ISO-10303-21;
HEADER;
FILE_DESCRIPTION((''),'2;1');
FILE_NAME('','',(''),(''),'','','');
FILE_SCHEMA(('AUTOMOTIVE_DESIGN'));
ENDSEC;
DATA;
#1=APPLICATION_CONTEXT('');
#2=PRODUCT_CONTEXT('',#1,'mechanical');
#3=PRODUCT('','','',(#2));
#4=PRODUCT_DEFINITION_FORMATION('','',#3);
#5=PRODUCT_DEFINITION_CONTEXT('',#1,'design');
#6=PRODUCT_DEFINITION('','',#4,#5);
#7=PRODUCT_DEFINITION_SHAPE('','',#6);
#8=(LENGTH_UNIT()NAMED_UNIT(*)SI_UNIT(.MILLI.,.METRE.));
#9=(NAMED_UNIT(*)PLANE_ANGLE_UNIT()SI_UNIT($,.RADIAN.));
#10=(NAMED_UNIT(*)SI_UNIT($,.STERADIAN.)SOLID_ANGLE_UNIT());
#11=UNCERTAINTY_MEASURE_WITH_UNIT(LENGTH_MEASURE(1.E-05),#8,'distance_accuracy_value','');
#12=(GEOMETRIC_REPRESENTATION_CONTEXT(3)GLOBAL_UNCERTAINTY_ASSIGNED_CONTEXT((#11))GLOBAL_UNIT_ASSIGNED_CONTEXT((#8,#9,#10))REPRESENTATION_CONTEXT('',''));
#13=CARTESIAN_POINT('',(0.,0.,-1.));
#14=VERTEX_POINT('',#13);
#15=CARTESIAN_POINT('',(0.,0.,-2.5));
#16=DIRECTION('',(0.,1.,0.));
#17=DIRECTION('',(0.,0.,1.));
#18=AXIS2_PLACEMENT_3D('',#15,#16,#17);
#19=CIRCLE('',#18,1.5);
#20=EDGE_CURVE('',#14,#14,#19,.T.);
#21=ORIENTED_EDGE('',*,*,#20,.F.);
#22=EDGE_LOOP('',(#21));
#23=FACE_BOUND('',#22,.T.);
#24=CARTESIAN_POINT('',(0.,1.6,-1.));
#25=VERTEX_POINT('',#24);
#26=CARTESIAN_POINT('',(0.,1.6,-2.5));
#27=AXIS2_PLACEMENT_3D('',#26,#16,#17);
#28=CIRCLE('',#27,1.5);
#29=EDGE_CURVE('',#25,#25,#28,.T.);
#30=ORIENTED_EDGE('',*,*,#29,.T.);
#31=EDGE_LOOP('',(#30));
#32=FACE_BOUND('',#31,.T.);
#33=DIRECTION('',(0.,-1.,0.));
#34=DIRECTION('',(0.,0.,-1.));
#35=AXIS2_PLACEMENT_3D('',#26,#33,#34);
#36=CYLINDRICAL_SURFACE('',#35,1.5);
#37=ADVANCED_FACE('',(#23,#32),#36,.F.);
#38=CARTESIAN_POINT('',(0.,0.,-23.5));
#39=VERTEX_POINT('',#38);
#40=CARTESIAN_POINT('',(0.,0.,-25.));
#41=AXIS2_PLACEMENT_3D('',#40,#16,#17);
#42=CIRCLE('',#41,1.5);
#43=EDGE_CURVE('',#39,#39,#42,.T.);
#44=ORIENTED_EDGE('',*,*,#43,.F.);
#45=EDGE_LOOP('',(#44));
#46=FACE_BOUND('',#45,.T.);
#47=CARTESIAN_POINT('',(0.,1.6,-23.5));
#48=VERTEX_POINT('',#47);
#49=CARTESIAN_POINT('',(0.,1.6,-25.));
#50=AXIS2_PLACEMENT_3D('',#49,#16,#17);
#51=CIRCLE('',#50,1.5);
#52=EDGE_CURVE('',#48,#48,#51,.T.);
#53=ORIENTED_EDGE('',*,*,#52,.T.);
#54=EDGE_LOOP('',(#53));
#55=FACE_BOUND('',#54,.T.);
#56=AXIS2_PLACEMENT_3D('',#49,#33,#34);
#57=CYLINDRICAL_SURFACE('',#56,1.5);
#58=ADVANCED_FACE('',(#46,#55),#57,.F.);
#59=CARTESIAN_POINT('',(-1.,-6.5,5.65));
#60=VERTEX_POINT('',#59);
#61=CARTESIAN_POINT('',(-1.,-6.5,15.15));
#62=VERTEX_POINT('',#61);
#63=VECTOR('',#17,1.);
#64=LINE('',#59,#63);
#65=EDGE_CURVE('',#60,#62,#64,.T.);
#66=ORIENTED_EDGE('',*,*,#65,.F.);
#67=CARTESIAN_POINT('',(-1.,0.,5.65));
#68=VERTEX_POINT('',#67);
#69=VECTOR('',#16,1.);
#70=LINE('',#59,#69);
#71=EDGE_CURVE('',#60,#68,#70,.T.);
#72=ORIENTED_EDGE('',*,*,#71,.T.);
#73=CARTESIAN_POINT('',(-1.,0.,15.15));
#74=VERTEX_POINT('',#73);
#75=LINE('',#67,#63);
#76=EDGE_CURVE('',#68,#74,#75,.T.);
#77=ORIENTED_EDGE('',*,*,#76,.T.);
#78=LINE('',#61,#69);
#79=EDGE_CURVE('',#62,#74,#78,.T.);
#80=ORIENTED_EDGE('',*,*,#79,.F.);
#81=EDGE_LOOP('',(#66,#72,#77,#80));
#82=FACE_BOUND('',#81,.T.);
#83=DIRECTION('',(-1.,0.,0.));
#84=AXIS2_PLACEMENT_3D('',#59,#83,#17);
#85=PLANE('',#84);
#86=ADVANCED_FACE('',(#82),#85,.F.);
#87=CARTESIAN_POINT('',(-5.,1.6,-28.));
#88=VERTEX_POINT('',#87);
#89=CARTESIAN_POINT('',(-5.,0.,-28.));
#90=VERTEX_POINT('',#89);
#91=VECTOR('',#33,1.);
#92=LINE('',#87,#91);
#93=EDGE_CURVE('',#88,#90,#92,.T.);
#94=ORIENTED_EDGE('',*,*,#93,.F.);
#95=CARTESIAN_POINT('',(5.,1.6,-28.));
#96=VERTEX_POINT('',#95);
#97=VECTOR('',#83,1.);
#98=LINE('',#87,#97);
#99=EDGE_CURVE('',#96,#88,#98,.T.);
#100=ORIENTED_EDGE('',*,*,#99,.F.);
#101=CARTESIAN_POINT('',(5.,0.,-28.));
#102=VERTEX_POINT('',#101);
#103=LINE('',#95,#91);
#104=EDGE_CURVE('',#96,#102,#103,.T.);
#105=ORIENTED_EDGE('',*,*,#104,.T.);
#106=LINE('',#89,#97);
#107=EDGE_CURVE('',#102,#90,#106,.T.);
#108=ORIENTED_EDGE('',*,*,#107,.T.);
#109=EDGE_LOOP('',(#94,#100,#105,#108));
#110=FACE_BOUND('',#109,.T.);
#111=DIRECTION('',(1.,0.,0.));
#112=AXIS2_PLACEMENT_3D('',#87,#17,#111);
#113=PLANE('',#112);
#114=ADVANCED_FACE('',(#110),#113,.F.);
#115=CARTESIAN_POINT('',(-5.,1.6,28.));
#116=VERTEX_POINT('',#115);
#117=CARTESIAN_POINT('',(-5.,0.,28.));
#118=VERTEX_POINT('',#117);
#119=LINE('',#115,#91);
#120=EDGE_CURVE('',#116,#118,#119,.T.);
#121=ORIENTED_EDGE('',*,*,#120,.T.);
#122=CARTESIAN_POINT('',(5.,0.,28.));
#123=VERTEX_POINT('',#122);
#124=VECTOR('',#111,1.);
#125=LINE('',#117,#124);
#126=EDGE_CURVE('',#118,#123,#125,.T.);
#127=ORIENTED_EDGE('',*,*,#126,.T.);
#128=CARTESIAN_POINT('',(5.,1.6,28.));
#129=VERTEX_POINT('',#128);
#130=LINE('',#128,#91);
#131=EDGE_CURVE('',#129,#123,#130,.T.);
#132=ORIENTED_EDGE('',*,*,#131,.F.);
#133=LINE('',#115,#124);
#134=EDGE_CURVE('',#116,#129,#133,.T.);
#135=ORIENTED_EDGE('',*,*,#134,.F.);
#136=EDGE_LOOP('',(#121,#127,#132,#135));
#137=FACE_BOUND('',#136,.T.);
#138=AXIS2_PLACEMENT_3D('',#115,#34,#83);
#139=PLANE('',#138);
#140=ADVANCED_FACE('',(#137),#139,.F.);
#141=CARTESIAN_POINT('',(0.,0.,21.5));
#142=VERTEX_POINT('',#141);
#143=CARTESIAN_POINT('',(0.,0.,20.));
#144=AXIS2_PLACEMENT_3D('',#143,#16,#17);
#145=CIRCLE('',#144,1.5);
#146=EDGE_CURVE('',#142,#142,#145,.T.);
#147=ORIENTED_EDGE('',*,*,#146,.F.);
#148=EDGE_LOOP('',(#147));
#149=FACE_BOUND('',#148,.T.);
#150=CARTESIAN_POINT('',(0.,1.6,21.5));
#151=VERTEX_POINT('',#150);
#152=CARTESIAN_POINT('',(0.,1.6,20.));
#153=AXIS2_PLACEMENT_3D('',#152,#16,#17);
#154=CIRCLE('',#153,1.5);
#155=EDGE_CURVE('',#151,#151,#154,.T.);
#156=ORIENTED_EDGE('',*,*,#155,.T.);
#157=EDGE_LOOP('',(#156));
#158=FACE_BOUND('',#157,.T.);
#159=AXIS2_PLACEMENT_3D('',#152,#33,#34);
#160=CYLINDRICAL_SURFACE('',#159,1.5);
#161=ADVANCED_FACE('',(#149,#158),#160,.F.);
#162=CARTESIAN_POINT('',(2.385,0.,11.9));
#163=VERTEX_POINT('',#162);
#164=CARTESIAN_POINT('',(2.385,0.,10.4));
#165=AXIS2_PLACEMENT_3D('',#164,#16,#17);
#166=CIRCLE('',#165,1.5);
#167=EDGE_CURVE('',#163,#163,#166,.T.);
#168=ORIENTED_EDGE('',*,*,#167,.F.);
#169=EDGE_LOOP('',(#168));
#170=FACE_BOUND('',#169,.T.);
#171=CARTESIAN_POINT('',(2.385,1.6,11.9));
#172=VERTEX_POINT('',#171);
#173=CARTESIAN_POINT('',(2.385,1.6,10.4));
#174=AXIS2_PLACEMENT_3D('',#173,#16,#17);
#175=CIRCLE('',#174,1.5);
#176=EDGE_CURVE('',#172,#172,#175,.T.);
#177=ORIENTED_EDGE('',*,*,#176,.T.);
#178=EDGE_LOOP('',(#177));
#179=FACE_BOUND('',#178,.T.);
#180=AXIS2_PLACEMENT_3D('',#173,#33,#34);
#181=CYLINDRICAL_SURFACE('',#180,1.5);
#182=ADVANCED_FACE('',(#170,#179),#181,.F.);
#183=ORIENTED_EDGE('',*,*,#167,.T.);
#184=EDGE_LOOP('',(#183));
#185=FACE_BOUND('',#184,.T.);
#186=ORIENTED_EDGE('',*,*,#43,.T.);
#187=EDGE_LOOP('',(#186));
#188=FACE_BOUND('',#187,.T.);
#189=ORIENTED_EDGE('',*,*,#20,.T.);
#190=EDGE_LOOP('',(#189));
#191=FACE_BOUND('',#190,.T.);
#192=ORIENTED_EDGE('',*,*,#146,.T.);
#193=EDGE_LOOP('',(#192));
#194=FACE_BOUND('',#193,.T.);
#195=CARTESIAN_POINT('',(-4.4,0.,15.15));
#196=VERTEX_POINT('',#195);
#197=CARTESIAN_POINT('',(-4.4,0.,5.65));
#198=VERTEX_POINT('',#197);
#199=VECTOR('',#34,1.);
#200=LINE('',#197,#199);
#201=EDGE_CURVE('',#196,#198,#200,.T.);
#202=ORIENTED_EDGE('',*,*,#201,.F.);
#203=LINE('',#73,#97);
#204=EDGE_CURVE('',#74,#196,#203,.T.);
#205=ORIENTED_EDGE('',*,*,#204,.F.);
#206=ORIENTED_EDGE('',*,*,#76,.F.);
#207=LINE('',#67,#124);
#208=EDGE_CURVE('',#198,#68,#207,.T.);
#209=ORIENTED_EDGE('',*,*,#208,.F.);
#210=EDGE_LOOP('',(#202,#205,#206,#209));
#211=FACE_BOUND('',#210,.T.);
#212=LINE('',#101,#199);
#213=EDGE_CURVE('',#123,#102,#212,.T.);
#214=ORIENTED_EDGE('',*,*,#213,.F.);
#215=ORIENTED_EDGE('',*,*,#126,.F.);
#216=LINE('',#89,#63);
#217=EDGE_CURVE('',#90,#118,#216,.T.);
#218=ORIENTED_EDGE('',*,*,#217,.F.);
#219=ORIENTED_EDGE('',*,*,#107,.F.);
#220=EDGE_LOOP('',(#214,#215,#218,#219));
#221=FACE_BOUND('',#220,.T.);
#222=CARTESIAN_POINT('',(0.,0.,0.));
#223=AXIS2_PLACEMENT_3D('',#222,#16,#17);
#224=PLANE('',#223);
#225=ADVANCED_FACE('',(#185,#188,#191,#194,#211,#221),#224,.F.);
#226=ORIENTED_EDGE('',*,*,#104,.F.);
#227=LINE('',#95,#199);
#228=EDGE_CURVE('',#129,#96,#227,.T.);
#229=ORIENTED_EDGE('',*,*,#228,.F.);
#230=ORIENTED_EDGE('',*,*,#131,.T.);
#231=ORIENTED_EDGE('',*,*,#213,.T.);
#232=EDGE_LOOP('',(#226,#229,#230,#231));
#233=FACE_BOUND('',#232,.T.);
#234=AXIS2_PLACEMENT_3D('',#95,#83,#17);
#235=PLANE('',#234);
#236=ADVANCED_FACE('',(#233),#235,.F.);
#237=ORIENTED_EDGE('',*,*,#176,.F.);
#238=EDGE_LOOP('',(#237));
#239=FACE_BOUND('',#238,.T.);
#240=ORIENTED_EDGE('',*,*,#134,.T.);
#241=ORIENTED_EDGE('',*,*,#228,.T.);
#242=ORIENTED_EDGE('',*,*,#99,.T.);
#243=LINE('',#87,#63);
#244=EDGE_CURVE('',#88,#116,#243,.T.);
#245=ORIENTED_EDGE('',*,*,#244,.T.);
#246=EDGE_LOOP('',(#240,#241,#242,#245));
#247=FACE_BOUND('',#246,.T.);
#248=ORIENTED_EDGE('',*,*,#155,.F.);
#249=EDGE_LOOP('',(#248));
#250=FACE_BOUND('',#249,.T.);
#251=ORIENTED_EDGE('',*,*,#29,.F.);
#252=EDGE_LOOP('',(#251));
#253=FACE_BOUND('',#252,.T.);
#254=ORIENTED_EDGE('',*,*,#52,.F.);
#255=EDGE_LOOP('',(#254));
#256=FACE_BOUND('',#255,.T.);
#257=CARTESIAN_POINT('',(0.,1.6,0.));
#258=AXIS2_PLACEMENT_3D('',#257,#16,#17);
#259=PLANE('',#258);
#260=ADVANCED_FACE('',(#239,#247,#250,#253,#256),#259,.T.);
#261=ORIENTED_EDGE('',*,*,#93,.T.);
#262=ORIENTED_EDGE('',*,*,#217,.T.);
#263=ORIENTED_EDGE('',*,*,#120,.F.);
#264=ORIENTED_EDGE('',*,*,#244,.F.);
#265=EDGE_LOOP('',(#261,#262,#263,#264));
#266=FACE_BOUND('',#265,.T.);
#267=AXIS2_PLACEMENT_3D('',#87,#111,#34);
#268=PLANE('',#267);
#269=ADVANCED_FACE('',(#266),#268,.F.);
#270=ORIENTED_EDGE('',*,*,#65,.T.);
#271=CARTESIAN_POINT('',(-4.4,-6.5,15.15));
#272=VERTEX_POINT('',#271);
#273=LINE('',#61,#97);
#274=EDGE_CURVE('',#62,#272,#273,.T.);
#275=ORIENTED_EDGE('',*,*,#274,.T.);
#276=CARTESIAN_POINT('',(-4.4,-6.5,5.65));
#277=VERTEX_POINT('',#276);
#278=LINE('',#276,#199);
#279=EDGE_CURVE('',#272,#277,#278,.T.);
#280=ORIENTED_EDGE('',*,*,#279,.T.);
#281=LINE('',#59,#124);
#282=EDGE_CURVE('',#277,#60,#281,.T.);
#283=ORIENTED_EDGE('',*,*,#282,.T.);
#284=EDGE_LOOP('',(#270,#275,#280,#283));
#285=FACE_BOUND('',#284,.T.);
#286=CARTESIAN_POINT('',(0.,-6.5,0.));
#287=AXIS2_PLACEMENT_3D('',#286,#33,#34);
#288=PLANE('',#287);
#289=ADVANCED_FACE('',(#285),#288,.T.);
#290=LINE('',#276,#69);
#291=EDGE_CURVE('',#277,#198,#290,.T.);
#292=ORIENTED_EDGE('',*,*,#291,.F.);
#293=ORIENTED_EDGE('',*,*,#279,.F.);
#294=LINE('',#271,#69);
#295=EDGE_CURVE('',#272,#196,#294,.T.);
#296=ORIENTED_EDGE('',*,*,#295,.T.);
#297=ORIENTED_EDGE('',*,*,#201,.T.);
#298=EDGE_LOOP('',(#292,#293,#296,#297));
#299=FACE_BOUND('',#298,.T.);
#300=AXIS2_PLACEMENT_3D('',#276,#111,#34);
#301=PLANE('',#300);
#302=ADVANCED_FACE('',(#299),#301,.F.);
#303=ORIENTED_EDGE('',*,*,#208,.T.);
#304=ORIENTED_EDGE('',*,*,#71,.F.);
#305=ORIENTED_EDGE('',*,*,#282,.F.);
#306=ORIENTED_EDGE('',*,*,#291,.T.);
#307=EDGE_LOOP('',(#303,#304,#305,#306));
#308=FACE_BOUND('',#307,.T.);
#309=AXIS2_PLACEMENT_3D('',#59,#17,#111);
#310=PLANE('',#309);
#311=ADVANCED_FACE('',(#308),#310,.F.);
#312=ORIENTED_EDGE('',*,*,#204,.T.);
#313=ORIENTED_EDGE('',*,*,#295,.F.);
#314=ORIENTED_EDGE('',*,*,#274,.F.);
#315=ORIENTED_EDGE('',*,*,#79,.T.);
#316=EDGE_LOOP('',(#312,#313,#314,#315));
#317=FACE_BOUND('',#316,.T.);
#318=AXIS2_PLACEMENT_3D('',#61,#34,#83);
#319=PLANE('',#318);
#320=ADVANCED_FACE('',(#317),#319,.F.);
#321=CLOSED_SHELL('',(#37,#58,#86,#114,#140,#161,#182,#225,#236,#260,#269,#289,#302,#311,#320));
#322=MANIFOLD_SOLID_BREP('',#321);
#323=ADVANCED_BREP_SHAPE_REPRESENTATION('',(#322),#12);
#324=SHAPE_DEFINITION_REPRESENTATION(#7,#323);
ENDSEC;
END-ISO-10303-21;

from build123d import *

# Parameters (mm, degrees)
SKETCH_1_W      = 10
SKETCH_1_H      = 56
SKETCH_1_R      = 1.5
EXTRUDE_1_DEPTH = 1.6
SKETCH_2_W      = 3.4
SKETCH_2_H      = 9.5
EXTRUDE_2_DEPTH = 6.5


with BuildPart() as part:
    # 草图1 → 凸台-拉伸1 (new body)
    with BuildSketch(Plane(origin=(0, 0, 0), x_dir=(1, 0, 0), z_dir=(0, 1, 0))):
        Rectangle(SKETCH_1_W, SKETCH_1_H)
        with Locations(Location((2.385, -10.4, 0), (0, 0, 270))):
            Circle(SKETCH_1_R, mode=Mode.SUBTRACT)
        with Locations(Location((0, 25, 0), (0, 0, 270))):
            Circle(SKETCH_1_R, mode=Mode.SUBTRACT)
        with Locations(Location((0, 2.5, 0), (0, 0, 270))):
            Circle(SKETCH_1_R, mode=Mode.SUBTRACT)
        with Locations(Location((0, -20, 0), (0, 0, 270))):
            Circle(SKETCH_1_R, mode=Mode.SUBTRACT)
    extrude(amount=EXTRUDE_1_DEPTH)

    # 草图2 → 凸台-拉伸2 (add)
    with BuildSketch(Plane.XZ):
        with Locations((-2.7, 10.4)):
            Rectangle(SKETCH_2_W, SKETCH_2_H)
    extrude(amount=EXTRUDE_2_DEPTH)


solid = part.part
